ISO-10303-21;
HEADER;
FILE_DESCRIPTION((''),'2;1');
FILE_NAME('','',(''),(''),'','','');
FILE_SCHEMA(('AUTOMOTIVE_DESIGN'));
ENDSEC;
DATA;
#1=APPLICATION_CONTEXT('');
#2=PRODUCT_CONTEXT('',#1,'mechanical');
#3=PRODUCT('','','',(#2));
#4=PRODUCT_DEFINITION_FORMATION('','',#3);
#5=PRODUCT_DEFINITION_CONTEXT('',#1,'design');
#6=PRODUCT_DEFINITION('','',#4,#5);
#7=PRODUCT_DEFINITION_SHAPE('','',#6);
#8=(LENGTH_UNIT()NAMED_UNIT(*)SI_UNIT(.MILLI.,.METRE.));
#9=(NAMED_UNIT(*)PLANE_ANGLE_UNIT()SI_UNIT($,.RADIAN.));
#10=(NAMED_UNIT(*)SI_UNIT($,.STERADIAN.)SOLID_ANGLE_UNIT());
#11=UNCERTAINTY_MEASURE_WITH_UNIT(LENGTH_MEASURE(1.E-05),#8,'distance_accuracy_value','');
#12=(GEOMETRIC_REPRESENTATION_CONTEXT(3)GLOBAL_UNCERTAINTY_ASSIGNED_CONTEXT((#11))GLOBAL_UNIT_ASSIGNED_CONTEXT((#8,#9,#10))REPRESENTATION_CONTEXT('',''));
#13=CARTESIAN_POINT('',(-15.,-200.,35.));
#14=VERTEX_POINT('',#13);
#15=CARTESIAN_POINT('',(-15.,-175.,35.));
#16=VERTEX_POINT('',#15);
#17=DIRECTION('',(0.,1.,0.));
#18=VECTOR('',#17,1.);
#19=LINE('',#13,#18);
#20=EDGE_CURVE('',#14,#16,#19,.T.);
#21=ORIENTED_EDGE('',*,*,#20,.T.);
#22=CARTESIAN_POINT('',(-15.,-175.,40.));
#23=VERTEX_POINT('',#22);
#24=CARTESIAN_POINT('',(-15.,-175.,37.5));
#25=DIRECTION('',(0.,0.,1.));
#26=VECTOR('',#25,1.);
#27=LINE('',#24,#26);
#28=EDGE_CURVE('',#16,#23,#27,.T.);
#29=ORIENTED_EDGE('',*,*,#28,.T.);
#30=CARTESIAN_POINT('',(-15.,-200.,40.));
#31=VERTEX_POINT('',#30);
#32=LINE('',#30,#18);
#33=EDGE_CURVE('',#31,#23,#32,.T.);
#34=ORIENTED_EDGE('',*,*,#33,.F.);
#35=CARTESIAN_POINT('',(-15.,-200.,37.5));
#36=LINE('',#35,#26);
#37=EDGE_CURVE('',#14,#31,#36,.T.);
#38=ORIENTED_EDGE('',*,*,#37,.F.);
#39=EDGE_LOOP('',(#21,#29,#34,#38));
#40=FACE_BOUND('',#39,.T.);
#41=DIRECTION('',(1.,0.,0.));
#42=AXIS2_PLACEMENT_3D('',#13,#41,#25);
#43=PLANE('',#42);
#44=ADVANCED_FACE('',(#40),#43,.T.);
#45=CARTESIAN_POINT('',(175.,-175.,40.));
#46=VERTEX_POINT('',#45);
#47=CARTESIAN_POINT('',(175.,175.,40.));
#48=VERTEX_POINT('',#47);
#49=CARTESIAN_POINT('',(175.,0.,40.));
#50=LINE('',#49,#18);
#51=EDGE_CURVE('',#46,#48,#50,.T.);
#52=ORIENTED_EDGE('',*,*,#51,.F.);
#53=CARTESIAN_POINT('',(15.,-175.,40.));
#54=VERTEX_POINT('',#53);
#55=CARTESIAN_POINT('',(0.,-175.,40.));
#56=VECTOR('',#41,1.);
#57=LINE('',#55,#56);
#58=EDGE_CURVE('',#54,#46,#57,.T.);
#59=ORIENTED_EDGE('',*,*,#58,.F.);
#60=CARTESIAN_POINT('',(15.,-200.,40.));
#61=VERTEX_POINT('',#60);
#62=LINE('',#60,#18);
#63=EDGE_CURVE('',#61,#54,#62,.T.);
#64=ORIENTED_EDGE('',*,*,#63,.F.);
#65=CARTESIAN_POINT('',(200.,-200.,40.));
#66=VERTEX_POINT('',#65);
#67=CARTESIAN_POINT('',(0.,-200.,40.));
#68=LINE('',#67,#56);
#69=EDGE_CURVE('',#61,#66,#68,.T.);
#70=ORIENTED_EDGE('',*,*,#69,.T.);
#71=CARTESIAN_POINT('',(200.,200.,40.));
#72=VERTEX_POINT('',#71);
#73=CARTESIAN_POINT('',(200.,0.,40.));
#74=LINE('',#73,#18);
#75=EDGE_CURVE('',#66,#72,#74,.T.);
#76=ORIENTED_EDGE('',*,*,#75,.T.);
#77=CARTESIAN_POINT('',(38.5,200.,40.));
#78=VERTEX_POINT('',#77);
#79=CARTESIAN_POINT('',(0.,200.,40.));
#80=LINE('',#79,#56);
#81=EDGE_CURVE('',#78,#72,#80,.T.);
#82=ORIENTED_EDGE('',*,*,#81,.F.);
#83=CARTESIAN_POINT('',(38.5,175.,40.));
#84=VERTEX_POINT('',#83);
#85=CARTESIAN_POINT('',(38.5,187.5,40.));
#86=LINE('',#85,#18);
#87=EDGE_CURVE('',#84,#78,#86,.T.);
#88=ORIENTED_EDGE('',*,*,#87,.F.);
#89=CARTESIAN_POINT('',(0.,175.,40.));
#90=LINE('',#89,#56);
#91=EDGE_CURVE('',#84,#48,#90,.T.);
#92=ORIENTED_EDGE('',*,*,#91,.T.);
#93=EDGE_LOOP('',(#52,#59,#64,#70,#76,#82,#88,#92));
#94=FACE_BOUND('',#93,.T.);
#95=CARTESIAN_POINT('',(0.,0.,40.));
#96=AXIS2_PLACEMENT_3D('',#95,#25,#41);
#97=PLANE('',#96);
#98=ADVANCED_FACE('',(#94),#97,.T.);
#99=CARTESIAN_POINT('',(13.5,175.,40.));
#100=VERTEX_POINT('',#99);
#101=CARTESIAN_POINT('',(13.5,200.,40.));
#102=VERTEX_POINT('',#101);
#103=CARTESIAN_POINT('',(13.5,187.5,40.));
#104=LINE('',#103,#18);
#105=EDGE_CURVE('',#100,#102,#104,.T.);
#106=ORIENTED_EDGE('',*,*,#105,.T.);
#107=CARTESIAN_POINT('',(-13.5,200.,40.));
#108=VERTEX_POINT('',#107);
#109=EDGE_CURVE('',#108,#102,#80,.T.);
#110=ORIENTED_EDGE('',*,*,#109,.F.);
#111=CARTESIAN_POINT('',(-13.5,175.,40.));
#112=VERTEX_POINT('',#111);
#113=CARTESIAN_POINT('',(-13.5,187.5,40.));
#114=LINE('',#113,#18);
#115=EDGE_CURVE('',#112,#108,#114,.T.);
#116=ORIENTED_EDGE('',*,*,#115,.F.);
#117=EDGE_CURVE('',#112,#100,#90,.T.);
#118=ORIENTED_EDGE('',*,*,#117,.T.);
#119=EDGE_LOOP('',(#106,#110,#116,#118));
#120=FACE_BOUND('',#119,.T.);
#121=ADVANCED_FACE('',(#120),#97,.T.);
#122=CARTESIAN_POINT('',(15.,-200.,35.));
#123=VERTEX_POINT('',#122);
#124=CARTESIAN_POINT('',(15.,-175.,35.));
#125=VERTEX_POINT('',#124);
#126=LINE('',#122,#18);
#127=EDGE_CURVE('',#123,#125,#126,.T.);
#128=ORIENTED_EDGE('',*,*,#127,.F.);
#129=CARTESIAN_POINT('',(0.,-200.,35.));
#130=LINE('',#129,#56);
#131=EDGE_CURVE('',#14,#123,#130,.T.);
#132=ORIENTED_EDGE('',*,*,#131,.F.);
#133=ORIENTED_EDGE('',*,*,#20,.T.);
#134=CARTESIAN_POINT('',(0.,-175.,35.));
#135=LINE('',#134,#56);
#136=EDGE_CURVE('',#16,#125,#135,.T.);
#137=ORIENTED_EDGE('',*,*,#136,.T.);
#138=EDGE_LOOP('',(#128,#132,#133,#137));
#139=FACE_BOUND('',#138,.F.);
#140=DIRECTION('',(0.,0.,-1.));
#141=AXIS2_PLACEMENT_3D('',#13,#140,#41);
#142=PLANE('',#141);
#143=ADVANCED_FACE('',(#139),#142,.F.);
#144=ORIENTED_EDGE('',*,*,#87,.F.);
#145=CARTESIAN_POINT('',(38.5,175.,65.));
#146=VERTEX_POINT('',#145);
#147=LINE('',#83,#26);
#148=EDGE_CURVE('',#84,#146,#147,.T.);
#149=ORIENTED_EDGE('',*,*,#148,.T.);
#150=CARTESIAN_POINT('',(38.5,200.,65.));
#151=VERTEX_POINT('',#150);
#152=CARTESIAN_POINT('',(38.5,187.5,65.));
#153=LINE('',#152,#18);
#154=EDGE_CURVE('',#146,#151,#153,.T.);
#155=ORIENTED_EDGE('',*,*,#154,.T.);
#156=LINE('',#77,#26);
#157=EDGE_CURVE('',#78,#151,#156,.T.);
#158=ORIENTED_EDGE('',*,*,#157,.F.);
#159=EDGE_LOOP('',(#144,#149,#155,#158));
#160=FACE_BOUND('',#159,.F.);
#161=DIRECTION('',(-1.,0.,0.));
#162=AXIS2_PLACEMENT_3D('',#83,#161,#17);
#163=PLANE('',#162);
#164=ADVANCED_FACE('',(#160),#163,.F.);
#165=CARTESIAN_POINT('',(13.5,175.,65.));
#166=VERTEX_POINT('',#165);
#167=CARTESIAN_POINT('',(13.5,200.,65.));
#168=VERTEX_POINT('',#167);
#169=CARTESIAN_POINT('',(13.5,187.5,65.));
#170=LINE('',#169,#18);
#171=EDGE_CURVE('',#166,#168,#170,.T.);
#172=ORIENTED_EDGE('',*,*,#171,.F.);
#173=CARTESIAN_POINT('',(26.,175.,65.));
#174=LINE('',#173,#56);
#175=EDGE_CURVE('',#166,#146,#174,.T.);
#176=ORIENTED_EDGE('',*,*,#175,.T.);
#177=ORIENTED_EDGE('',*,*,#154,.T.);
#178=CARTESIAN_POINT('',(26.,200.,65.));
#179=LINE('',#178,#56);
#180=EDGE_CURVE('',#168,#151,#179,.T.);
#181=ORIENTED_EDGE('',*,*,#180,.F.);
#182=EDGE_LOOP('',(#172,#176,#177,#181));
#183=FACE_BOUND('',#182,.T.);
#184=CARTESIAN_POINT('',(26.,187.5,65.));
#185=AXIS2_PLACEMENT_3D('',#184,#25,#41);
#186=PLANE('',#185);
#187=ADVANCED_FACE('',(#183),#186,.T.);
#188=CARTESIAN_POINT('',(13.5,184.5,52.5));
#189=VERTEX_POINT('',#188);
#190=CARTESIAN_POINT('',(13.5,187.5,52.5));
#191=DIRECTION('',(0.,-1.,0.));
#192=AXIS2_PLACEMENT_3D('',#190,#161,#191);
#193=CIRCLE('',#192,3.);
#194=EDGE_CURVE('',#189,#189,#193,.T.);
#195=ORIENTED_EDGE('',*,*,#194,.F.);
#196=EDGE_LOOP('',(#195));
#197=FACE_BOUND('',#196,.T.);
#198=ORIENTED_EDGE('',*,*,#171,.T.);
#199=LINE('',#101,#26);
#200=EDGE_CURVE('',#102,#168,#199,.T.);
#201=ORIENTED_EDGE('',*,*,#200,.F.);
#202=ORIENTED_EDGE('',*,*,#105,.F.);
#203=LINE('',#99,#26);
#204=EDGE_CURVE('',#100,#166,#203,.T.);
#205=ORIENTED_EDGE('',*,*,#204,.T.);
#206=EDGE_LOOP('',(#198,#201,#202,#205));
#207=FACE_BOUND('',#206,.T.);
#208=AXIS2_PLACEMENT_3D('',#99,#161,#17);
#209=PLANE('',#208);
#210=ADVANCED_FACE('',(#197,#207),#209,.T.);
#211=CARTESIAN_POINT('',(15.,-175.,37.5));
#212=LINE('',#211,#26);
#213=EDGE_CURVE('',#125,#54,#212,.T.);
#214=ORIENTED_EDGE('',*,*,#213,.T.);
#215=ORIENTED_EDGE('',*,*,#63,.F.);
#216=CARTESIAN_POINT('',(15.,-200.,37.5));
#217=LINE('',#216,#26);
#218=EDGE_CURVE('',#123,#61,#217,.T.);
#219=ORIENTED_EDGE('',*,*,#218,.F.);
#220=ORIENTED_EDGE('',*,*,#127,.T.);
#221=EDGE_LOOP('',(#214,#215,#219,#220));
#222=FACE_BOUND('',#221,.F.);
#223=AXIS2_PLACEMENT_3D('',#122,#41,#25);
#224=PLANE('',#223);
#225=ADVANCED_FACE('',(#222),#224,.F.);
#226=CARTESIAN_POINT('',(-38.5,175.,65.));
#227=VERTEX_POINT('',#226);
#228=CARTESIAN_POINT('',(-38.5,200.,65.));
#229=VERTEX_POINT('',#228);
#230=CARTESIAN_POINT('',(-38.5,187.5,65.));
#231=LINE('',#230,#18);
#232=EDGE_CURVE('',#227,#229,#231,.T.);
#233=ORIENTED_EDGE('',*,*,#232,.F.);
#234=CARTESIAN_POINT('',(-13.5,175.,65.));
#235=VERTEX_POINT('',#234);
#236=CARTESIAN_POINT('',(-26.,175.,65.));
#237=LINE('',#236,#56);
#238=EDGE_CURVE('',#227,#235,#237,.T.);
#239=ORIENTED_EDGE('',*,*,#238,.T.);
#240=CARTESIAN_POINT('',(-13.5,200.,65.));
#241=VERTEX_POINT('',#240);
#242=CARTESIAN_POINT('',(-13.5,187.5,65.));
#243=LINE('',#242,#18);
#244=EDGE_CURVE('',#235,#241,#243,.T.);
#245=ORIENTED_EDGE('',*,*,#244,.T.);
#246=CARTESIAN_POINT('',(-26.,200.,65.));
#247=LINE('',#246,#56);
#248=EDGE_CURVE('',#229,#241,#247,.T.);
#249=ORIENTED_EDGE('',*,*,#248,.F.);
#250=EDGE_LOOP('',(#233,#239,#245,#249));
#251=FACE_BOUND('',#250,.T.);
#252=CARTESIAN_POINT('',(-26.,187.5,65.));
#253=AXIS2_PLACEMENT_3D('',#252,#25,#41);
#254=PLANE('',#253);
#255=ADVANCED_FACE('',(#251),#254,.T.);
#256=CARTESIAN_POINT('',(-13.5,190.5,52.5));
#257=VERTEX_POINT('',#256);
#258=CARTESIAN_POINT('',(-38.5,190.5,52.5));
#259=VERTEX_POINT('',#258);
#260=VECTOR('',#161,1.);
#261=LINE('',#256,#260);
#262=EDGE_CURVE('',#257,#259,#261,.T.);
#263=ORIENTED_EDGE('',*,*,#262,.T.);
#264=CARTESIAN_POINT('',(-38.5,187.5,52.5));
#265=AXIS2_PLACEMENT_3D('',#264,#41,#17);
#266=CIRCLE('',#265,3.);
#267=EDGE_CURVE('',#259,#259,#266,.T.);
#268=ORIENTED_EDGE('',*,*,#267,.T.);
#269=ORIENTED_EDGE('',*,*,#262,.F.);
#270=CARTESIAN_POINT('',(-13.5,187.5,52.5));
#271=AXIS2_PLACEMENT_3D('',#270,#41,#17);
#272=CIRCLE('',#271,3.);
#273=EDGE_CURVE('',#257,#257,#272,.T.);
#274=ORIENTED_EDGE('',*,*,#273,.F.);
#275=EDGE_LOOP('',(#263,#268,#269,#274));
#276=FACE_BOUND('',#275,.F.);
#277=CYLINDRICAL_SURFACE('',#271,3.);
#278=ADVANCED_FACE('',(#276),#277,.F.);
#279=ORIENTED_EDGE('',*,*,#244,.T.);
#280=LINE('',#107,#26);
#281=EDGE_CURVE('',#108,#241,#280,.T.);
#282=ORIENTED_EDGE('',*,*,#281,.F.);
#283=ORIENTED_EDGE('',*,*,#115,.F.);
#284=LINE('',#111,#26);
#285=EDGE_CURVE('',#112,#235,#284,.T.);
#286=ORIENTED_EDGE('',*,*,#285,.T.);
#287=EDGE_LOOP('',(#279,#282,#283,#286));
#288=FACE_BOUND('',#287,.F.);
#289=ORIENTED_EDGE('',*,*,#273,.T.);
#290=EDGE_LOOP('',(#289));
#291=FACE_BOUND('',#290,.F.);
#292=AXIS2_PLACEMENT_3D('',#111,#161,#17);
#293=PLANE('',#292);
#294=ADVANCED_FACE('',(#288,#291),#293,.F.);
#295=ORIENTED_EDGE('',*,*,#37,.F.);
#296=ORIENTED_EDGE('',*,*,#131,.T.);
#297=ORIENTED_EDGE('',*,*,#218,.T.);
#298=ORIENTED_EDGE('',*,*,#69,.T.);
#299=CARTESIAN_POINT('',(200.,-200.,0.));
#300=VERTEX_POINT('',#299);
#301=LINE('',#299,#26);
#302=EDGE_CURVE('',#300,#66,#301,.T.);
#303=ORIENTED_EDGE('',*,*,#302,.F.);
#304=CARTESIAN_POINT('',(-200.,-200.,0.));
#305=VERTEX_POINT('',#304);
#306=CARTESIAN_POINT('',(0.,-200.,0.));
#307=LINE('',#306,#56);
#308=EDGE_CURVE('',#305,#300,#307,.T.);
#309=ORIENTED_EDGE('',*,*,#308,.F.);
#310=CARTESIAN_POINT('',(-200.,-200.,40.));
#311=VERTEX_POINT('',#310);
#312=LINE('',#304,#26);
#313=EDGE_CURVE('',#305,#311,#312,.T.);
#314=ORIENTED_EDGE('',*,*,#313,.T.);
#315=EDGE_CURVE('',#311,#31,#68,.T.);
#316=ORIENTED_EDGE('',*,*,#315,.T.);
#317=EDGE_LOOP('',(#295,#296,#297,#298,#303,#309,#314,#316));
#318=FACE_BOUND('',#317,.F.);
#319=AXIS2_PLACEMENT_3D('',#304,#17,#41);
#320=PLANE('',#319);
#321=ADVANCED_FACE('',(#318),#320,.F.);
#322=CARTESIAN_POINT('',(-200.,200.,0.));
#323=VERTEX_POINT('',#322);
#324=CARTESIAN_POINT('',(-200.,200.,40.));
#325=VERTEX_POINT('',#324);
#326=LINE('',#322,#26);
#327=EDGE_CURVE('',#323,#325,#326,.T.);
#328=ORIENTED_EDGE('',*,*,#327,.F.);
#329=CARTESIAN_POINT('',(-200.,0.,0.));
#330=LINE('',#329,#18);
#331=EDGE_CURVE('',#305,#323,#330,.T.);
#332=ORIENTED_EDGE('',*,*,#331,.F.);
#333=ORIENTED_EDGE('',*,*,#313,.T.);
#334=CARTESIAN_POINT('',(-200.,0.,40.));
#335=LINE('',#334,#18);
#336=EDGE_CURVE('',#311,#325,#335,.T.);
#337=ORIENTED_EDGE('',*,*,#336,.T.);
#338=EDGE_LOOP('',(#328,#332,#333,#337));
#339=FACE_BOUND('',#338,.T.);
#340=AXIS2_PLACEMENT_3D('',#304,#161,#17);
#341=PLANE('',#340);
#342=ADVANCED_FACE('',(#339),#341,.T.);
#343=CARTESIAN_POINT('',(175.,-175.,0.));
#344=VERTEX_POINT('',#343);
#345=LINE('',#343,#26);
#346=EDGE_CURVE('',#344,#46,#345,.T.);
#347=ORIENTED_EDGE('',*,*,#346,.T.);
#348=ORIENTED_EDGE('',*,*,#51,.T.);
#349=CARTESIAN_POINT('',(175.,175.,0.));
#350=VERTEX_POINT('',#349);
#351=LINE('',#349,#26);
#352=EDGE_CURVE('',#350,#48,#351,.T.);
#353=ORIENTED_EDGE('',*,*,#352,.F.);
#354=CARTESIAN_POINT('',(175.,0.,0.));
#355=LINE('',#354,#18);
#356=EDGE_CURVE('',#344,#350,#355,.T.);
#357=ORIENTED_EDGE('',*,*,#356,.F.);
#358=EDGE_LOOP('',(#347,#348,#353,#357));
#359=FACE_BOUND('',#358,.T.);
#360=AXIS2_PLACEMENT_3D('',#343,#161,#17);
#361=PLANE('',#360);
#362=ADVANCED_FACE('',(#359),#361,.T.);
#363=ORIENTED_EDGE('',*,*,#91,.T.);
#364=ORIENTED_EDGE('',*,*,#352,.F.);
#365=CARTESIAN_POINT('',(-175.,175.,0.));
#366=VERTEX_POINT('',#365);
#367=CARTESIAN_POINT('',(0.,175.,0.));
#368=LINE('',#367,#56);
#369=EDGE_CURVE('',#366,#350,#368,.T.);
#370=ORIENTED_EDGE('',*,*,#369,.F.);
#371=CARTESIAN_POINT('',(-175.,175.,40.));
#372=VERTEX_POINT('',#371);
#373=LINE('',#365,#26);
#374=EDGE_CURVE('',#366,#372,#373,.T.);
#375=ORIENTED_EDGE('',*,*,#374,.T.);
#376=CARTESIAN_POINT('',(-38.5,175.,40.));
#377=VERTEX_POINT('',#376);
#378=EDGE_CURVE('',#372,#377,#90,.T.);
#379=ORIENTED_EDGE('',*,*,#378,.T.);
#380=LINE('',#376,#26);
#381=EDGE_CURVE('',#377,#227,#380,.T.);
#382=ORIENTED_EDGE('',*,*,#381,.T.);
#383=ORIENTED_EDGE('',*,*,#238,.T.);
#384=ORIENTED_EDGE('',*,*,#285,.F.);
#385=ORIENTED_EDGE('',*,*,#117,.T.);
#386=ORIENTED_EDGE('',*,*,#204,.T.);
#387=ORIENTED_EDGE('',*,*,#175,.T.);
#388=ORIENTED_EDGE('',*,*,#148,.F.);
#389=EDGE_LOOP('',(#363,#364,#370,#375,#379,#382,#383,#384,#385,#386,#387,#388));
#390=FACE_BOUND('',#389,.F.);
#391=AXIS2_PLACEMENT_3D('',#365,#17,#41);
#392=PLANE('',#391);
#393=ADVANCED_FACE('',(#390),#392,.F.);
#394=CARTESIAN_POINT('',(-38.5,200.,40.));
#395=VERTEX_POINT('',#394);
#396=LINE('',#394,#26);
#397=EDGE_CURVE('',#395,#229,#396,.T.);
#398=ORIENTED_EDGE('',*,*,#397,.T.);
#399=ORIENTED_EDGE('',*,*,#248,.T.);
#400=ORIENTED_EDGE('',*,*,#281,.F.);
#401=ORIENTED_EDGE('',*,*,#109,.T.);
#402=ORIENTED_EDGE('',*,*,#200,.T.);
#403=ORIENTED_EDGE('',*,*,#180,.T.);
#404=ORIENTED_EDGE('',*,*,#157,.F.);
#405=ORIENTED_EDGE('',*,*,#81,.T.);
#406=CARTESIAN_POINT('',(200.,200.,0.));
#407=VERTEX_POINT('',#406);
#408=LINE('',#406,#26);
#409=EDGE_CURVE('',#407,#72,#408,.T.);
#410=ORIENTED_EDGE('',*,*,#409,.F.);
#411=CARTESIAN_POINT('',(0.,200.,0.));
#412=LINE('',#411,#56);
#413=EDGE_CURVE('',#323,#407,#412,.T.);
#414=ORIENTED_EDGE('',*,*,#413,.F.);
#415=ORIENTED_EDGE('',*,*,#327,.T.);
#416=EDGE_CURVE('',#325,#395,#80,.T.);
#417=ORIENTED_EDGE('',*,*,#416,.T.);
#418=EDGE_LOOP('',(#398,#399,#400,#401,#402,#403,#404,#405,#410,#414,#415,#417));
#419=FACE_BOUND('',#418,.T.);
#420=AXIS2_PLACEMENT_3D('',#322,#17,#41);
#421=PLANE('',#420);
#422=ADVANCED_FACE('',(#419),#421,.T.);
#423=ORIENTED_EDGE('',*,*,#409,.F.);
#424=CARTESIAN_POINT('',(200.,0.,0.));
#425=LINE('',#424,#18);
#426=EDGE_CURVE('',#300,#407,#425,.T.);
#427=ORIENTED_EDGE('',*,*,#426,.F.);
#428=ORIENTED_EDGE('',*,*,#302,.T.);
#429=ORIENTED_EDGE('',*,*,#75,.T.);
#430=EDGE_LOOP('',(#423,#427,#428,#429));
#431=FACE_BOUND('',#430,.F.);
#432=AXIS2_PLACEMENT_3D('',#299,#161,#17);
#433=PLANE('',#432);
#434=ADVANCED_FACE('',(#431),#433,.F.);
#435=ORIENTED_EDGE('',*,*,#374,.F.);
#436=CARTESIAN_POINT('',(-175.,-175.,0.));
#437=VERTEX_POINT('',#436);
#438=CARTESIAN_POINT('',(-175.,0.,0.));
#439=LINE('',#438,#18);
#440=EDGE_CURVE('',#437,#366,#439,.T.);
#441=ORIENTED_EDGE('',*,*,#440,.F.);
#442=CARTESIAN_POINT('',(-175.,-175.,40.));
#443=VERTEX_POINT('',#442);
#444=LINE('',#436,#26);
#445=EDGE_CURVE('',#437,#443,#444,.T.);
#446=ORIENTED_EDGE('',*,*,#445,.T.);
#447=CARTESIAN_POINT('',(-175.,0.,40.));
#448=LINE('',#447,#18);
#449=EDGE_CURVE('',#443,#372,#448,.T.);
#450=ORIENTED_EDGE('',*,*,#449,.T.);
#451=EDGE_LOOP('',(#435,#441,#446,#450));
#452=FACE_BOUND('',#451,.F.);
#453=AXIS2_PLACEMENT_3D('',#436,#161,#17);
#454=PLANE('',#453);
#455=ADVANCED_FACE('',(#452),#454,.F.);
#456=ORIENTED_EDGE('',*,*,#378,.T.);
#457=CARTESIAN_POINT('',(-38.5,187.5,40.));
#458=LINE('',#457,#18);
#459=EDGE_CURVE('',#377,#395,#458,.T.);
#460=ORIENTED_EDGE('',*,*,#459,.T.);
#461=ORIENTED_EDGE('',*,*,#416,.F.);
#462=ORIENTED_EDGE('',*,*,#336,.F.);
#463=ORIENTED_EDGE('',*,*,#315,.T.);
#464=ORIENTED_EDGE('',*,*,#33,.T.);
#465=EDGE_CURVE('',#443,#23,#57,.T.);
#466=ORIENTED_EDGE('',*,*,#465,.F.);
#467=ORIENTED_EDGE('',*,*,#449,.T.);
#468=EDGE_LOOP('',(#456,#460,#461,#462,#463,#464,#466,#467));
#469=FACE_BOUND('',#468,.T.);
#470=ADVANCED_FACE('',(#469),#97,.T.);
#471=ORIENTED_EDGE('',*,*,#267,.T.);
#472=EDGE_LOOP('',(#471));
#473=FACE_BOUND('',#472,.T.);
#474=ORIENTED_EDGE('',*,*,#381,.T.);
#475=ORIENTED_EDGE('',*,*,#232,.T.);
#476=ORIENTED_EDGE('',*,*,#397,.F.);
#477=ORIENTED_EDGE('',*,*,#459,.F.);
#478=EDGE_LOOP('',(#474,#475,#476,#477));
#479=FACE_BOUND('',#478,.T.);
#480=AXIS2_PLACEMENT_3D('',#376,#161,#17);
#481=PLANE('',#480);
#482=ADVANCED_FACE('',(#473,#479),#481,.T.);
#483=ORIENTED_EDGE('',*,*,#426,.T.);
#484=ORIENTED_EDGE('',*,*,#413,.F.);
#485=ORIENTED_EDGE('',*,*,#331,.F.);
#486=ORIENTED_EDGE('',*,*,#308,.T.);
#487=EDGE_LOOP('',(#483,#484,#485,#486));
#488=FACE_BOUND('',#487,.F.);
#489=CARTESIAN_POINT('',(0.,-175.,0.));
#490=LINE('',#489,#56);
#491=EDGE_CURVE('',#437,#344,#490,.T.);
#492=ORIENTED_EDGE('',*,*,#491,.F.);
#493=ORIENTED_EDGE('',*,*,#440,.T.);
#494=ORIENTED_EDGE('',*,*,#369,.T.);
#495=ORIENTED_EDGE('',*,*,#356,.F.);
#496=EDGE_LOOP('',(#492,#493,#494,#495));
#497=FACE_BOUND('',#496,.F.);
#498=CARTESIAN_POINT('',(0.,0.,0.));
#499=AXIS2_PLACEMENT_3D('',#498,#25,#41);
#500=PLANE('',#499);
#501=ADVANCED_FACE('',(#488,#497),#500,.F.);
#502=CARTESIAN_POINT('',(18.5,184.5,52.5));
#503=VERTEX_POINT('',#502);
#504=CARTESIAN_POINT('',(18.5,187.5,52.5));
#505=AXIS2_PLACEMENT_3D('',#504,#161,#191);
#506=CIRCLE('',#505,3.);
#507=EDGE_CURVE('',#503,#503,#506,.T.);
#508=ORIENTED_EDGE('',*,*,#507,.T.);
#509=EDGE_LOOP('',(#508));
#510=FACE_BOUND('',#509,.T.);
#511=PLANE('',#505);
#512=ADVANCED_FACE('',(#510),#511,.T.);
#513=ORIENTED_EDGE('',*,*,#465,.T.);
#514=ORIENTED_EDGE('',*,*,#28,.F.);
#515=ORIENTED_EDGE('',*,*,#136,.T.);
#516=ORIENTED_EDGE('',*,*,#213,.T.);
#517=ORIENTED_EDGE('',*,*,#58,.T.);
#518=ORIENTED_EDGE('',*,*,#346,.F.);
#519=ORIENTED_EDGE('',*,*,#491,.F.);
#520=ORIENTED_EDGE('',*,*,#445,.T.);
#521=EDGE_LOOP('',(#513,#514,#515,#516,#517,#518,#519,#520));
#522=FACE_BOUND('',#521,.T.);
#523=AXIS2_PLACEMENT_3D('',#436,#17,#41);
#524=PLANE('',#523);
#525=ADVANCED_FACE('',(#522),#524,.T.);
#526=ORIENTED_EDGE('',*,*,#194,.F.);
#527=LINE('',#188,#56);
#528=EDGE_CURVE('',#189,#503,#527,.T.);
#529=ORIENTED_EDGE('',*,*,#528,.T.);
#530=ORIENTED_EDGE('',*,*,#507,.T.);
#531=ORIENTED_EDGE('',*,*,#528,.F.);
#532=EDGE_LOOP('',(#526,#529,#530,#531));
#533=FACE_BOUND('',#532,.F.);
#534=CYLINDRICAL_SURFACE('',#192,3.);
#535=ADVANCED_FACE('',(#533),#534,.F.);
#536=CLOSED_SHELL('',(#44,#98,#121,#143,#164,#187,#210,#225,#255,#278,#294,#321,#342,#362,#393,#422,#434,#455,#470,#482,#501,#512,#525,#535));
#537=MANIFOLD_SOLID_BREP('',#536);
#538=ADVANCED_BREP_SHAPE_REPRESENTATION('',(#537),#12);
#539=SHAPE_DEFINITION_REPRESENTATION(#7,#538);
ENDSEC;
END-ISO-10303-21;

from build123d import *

# Parameters (mm, degrees)
F0_W     = 400
F0_H     = 400
F0_W_2   = 350
F0_H_2   = 350
F1_DEPTH = 40
F2_W     = 30
F2_H     = 5
F3_DEPTH = 25
F4_W     = 25
F4_H     = 25
F5_DEPTH = 25
F6_R     = 3
F7_DEPTH = 5
F8_R     = 3
F9_DEPTH = 25


with BuildPart() as f1:
    # F0 (on Top) → F1 (new body)
    with BuildSketch(Plane.XY):
        Rectangle(F0_W, F0_H)
        Rectangle(F0_W_2, F0_H_2, mode=Mode.SUBTRACT)
    extrude(amount=F1_DEPTH)

    # F2 (on face) → F3 (cut, through all)
    with BuildSketch(Plane.XZ.offset(200)):
        with Locations((0, 37.5)):
            Rectangle(F2_W, F2_H)
    extrude(amount=-F3_DEPTH, mode=Mode.SUBTRACT)

    # F4 (on face) → F5 (join)
    with BuildSketch(Plane.XY.offset(40)):
        with Locations((-26, 187.5)):
            Rectangle(F4_W, F4_H)
        with Locations((26, 187.5)):
            Rectangle(F4_W, F4_H)
    extrude(amount=F5_DEPTH)

    # F6 (on face) → F7 (cut)
    with BuildSketch(Plane(origin=(13.5, 0, 0), x_dir=(0, -1, 0), z_dir=(-1, 0, 0))):
        with Locations((-187.5, 52.5)):
            Circle(F6_R)
    extrude(amount=-F7_DEPTH, mode=Mode.SUBTRACT)

    # F8 (on face) → F9 (cut, through all)
    with BuildSketch(Plane.YZ.offset(-13.5)):
        with Locations((187.5, 52.5)):
            Circle(F8_R)
    extrude(amount=-F9_DEPTH, mode=Mode.SUBTRACT)


solid = f1.part
